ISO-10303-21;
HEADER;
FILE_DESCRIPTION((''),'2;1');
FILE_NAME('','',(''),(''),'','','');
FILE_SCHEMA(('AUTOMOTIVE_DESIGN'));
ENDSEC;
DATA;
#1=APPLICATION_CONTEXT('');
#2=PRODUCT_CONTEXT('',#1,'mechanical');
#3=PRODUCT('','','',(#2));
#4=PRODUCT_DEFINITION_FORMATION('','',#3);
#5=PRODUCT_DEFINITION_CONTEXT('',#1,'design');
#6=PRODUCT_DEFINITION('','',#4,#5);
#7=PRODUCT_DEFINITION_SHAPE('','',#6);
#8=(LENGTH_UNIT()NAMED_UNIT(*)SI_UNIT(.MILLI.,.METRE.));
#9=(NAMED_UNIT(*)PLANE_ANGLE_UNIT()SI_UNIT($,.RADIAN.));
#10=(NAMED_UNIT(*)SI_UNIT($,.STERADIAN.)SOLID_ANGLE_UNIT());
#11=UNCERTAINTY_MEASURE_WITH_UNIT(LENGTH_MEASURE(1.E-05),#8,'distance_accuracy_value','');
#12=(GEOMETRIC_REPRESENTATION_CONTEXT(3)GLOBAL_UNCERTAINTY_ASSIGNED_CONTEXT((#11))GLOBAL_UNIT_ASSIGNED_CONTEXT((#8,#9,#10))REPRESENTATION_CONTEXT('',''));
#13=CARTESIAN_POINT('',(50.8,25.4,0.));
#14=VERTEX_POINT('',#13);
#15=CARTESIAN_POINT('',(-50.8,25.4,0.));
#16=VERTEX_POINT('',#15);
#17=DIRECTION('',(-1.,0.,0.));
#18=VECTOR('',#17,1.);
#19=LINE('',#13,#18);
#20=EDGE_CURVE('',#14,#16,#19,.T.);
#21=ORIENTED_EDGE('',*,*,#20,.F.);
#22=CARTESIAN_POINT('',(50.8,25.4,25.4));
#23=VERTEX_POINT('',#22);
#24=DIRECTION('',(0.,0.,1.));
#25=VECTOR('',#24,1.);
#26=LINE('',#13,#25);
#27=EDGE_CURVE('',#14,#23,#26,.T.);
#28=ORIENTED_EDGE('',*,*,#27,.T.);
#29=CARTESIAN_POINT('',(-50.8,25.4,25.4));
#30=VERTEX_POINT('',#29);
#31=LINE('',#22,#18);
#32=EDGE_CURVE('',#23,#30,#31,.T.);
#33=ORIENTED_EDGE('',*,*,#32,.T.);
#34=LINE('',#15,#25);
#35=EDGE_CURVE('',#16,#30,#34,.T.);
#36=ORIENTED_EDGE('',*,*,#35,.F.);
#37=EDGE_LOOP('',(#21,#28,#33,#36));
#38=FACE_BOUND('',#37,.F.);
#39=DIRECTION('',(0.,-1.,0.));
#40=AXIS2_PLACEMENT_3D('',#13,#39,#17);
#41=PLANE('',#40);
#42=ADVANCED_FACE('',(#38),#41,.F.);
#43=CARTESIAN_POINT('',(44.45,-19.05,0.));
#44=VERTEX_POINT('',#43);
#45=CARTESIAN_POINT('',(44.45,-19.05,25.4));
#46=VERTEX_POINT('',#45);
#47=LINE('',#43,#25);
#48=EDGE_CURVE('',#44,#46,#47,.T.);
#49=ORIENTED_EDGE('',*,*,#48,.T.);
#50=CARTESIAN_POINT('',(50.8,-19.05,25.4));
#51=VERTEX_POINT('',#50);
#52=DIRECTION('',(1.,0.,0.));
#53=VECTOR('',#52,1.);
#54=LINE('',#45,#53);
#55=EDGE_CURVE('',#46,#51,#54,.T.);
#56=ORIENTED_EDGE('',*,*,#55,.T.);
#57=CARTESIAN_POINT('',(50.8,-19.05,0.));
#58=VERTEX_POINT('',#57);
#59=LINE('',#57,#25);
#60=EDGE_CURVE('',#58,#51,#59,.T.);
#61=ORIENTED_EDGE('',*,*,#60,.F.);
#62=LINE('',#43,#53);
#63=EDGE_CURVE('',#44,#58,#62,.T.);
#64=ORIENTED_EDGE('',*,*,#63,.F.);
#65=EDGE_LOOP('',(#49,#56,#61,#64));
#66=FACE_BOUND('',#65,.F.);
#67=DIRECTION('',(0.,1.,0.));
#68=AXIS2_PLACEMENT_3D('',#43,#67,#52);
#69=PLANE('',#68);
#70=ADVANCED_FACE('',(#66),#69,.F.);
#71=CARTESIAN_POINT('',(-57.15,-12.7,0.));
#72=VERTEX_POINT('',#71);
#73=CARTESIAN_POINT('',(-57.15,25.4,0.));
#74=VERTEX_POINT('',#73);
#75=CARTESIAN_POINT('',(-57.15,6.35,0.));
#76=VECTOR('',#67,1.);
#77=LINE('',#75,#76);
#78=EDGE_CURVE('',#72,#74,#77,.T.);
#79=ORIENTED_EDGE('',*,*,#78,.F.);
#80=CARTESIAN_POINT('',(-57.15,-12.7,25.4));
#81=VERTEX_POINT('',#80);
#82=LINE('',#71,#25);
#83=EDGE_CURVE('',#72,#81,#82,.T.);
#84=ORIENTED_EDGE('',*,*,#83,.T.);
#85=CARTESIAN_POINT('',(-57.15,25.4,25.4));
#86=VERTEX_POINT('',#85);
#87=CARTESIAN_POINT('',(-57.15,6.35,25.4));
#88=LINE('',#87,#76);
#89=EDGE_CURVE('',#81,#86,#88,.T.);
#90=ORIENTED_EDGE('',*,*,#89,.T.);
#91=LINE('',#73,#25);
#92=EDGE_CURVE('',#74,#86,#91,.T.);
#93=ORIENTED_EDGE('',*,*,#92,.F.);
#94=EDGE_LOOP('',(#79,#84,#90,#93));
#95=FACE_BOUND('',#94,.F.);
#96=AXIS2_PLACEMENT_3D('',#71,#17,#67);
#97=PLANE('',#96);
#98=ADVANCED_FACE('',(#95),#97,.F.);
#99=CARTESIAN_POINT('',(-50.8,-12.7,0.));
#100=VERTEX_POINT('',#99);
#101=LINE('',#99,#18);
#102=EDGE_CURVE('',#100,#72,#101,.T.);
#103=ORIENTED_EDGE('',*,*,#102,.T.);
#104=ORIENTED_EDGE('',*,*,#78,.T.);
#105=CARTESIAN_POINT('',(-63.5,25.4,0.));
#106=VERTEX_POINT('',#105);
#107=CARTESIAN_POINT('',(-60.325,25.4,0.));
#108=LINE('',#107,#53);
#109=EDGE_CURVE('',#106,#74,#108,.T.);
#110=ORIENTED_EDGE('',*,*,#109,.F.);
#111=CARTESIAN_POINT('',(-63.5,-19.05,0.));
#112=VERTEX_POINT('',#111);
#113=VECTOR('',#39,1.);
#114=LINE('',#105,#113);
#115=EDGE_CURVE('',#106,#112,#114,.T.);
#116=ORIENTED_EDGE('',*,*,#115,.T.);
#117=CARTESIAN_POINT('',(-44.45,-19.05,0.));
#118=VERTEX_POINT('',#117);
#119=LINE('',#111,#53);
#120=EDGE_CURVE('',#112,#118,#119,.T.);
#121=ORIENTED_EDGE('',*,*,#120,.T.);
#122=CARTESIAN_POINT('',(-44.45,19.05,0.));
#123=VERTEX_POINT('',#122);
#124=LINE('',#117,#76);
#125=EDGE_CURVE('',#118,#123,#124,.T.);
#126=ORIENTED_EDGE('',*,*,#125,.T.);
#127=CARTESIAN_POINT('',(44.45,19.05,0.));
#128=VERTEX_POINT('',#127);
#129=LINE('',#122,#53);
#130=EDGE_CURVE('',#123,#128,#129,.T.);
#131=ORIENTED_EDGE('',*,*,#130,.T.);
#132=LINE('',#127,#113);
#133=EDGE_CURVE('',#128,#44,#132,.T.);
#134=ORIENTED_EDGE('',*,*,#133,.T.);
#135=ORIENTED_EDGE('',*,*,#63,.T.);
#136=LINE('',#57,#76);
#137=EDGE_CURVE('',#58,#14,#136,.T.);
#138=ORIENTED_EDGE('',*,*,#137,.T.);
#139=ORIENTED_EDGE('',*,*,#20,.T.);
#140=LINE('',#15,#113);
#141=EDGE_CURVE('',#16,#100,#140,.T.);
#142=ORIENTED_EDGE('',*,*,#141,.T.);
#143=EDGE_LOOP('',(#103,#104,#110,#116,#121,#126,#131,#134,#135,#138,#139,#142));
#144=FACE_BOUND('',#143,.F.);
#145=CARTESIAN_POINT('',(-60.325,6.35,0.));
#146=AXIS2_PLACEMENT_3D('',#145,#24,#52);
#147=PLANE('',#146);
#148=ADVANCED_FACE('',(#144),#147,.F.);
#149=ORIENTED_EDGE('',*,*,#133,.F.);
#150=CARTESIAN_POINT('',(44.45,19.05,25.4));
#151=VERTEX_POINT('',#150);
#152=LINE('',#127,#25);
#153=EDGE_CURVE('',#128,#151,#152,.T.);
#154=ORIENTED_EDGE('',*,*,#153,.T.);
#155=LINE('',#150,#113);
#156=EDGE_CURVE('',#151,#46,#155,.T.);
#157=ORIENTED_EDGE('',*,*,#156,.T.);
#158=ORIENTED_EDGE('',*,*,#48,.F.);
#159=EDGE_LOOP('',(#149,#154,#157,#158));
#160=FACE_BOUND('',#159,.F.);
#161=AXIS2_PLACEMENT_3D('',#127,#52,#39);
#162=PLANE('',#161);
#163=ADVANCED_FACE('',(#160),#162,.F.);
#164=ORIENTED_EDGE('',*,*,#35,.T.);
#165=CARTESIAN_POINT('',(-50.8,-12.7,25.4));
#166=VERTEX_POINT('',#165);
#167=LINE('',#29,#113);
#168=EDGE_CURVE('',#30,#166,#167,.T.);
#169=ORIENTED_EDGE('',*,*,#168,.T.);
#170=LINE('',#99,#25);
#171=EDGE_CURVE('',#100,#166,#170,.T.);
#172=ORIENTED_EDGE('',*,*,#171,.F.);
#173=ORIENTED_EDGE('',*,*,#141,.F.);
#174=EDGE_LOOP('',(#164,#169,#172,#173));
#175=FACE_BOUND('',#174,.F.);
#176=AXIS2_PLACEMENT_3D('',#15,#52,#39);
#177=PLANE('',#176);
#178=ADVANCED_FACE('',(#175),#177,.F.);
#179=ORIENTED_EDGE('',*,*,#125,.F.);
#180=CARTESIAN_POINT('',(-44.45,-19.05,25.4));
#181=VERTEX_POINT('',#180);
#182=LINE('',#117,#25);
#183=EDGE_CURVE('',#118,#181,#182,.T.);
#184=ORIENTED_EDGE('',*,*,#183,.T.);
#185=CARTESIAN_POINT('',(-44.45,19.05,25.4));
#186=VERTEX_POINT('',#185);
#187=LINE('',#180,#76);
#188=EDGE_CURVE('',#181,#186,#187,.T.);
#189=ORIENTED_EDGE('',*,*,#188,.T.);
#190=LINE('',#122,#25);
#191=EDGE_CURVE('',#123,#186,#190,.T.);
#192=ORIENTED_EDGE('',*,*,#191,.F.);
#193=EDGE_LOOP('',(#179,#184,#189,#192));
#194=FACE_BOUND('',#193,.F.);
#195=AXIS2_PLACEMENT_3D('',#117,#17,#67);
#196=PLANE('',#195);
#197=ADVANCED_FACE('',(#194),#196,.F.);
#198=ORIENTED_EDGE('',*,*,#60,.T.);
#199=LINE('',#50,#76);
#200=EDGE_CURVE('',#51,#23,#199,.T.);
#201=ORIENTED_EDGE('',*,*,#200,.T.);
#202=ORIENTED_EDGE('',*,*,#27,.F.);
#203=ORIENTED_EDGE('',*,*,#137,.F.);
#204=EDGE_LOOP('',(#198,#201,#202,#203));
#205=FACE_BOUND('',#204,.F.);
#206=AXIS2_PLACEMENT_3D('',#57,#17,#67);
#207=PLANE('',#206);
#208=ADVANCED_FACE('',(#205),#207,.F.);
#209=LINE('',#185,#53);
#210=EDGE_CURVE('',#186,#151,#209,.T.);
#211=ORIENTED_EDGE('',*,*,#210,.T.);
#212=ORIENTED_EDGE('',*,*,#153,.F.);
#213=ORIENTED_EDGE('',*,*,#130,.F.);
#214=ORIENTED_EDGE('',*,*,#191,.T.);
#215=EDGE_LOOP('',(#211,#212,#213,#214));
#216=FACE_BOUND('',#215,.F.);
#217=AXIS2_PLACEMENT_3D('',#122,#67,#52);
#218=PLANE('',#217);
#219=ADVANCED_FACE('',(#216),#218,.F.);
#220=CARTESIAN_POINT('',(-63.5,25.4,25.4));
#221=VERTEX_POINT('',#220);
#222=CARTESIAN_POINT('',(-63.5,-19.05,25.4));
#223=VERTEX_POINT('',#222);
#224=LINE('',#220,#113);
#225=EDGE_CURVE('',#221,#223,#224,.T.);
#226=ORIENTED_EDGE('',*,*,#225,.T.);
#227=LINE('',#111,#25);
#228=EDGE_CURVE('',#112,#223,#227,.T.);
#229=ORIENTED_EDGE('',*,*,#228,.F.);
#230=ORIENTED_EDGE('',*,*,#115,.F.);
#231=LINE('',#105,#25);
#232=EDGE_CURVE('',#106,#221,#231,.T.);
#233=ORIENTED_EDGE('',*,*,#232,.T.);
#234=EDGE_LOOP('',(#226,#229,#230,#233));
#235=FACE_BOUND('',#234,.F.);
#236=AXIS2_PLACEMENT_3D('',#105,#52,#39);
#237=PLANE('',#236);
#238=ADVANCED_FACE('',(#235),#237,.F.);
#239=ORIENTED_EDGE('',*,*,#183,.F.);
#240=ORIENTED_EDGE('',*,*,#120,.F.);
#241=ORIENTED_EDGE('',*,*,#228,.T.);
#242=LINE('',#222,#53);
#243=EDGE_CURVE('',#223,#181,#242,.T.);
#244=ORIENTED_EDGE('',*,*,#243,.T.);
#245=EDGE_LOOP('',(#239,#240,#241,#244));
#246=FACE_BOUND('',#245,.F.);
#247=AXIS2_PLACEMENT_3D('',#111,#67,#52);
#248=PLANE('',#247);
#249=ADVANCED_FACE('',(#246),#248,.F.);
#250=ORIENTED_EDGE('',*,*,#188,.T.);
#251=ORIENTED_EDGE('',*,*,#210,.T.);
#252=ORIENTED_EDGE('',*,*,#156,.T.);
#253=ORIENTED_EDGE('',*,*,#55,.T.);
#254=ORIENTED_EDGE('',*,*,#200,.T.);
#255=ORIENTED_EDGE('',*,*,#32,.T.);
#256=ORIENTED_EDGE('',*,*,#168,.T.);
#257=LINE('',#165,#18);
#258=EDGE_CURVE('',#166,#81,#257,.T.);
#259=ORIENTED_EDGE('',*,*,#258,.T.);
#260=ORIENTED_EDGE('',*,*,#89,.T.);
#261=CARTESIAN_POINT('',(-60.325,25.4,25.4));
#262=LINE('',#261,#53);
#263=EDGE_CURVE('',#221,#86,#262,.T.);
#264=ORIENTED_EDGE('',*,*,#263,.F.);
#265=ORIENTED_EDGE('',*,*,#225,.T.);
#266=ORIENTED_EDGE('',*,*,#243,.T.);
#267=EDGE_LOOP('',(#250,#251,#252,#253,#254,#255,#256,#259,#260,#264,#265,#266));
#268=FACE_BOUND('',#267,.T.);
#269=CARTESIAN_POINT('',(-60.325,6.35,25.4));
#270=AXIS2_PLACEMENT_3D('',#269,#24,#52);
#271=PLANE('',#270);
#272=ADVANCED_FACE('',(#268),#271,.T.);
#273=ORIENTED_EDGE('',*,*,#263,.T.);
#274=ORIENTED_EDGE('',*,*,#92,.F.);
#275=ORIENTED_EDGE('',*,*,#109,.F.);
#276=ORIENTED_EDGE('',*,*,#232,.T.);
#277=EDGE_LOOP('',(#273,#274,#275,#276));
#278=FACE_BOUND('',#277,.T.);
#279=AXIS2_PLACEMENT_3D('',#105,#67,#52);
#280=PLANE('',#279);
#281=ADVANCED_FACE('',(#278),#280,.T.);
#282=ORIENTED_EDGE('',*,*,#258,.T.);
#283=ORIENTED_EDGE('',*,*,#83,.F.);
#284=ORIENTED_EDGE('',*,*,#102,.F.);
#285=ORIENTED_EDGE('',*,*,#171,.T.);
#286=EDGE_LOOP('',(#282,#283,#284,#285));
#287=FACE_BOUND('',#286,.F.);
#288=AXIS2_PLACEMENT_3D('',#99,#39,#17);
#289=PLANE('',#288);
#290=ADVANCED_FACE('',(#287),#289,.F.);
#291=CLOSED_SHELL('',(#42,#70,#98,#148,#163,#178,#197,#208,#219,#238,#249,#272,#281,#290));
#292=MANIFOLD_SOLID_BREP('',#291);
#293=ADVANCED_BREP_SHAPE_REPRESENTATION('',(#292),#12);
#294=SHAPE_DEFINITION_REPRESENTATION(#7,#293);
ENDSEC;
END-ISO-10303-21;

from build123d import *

# Parameters (mm, degrees)
F0_W     = 6.35
F0_H     = 38.1
F1_DEPTH = 25.4


with BuildPart() as f1:
    # F0 (on Top) → F1 (new body)
    with BuildSketch(Plane.XY):
        with Locations((-60.325, 6.35)):
            Rectangle(F0_W, F0_H)
        Polygon((-63.5, -19.05), (-50.8, -19.05), (-50.8, -12.7), (-57.15, -12.7), (-63.5, -12.7), align=None)
        Polygon((-50.8, -19.05), (-44.45, -19.05), (-44.45, 19.05), (-50.8, 19.05), (-50.8, -12.7), align=None)
        Polygon((-44.45, 19.05), (44.45, 19.05), (44.45, 25.4), (-50.8, 25.4), (-50.8, 19.05), align=None)
        Polygon((44.45, 19.05), (44.45, -19.05), (50.8, -19.05), (50.8, 25.4), (44.45, 25.4), align=None)
    extrude(amount=F1_DEPTH)


solid = f1.part
